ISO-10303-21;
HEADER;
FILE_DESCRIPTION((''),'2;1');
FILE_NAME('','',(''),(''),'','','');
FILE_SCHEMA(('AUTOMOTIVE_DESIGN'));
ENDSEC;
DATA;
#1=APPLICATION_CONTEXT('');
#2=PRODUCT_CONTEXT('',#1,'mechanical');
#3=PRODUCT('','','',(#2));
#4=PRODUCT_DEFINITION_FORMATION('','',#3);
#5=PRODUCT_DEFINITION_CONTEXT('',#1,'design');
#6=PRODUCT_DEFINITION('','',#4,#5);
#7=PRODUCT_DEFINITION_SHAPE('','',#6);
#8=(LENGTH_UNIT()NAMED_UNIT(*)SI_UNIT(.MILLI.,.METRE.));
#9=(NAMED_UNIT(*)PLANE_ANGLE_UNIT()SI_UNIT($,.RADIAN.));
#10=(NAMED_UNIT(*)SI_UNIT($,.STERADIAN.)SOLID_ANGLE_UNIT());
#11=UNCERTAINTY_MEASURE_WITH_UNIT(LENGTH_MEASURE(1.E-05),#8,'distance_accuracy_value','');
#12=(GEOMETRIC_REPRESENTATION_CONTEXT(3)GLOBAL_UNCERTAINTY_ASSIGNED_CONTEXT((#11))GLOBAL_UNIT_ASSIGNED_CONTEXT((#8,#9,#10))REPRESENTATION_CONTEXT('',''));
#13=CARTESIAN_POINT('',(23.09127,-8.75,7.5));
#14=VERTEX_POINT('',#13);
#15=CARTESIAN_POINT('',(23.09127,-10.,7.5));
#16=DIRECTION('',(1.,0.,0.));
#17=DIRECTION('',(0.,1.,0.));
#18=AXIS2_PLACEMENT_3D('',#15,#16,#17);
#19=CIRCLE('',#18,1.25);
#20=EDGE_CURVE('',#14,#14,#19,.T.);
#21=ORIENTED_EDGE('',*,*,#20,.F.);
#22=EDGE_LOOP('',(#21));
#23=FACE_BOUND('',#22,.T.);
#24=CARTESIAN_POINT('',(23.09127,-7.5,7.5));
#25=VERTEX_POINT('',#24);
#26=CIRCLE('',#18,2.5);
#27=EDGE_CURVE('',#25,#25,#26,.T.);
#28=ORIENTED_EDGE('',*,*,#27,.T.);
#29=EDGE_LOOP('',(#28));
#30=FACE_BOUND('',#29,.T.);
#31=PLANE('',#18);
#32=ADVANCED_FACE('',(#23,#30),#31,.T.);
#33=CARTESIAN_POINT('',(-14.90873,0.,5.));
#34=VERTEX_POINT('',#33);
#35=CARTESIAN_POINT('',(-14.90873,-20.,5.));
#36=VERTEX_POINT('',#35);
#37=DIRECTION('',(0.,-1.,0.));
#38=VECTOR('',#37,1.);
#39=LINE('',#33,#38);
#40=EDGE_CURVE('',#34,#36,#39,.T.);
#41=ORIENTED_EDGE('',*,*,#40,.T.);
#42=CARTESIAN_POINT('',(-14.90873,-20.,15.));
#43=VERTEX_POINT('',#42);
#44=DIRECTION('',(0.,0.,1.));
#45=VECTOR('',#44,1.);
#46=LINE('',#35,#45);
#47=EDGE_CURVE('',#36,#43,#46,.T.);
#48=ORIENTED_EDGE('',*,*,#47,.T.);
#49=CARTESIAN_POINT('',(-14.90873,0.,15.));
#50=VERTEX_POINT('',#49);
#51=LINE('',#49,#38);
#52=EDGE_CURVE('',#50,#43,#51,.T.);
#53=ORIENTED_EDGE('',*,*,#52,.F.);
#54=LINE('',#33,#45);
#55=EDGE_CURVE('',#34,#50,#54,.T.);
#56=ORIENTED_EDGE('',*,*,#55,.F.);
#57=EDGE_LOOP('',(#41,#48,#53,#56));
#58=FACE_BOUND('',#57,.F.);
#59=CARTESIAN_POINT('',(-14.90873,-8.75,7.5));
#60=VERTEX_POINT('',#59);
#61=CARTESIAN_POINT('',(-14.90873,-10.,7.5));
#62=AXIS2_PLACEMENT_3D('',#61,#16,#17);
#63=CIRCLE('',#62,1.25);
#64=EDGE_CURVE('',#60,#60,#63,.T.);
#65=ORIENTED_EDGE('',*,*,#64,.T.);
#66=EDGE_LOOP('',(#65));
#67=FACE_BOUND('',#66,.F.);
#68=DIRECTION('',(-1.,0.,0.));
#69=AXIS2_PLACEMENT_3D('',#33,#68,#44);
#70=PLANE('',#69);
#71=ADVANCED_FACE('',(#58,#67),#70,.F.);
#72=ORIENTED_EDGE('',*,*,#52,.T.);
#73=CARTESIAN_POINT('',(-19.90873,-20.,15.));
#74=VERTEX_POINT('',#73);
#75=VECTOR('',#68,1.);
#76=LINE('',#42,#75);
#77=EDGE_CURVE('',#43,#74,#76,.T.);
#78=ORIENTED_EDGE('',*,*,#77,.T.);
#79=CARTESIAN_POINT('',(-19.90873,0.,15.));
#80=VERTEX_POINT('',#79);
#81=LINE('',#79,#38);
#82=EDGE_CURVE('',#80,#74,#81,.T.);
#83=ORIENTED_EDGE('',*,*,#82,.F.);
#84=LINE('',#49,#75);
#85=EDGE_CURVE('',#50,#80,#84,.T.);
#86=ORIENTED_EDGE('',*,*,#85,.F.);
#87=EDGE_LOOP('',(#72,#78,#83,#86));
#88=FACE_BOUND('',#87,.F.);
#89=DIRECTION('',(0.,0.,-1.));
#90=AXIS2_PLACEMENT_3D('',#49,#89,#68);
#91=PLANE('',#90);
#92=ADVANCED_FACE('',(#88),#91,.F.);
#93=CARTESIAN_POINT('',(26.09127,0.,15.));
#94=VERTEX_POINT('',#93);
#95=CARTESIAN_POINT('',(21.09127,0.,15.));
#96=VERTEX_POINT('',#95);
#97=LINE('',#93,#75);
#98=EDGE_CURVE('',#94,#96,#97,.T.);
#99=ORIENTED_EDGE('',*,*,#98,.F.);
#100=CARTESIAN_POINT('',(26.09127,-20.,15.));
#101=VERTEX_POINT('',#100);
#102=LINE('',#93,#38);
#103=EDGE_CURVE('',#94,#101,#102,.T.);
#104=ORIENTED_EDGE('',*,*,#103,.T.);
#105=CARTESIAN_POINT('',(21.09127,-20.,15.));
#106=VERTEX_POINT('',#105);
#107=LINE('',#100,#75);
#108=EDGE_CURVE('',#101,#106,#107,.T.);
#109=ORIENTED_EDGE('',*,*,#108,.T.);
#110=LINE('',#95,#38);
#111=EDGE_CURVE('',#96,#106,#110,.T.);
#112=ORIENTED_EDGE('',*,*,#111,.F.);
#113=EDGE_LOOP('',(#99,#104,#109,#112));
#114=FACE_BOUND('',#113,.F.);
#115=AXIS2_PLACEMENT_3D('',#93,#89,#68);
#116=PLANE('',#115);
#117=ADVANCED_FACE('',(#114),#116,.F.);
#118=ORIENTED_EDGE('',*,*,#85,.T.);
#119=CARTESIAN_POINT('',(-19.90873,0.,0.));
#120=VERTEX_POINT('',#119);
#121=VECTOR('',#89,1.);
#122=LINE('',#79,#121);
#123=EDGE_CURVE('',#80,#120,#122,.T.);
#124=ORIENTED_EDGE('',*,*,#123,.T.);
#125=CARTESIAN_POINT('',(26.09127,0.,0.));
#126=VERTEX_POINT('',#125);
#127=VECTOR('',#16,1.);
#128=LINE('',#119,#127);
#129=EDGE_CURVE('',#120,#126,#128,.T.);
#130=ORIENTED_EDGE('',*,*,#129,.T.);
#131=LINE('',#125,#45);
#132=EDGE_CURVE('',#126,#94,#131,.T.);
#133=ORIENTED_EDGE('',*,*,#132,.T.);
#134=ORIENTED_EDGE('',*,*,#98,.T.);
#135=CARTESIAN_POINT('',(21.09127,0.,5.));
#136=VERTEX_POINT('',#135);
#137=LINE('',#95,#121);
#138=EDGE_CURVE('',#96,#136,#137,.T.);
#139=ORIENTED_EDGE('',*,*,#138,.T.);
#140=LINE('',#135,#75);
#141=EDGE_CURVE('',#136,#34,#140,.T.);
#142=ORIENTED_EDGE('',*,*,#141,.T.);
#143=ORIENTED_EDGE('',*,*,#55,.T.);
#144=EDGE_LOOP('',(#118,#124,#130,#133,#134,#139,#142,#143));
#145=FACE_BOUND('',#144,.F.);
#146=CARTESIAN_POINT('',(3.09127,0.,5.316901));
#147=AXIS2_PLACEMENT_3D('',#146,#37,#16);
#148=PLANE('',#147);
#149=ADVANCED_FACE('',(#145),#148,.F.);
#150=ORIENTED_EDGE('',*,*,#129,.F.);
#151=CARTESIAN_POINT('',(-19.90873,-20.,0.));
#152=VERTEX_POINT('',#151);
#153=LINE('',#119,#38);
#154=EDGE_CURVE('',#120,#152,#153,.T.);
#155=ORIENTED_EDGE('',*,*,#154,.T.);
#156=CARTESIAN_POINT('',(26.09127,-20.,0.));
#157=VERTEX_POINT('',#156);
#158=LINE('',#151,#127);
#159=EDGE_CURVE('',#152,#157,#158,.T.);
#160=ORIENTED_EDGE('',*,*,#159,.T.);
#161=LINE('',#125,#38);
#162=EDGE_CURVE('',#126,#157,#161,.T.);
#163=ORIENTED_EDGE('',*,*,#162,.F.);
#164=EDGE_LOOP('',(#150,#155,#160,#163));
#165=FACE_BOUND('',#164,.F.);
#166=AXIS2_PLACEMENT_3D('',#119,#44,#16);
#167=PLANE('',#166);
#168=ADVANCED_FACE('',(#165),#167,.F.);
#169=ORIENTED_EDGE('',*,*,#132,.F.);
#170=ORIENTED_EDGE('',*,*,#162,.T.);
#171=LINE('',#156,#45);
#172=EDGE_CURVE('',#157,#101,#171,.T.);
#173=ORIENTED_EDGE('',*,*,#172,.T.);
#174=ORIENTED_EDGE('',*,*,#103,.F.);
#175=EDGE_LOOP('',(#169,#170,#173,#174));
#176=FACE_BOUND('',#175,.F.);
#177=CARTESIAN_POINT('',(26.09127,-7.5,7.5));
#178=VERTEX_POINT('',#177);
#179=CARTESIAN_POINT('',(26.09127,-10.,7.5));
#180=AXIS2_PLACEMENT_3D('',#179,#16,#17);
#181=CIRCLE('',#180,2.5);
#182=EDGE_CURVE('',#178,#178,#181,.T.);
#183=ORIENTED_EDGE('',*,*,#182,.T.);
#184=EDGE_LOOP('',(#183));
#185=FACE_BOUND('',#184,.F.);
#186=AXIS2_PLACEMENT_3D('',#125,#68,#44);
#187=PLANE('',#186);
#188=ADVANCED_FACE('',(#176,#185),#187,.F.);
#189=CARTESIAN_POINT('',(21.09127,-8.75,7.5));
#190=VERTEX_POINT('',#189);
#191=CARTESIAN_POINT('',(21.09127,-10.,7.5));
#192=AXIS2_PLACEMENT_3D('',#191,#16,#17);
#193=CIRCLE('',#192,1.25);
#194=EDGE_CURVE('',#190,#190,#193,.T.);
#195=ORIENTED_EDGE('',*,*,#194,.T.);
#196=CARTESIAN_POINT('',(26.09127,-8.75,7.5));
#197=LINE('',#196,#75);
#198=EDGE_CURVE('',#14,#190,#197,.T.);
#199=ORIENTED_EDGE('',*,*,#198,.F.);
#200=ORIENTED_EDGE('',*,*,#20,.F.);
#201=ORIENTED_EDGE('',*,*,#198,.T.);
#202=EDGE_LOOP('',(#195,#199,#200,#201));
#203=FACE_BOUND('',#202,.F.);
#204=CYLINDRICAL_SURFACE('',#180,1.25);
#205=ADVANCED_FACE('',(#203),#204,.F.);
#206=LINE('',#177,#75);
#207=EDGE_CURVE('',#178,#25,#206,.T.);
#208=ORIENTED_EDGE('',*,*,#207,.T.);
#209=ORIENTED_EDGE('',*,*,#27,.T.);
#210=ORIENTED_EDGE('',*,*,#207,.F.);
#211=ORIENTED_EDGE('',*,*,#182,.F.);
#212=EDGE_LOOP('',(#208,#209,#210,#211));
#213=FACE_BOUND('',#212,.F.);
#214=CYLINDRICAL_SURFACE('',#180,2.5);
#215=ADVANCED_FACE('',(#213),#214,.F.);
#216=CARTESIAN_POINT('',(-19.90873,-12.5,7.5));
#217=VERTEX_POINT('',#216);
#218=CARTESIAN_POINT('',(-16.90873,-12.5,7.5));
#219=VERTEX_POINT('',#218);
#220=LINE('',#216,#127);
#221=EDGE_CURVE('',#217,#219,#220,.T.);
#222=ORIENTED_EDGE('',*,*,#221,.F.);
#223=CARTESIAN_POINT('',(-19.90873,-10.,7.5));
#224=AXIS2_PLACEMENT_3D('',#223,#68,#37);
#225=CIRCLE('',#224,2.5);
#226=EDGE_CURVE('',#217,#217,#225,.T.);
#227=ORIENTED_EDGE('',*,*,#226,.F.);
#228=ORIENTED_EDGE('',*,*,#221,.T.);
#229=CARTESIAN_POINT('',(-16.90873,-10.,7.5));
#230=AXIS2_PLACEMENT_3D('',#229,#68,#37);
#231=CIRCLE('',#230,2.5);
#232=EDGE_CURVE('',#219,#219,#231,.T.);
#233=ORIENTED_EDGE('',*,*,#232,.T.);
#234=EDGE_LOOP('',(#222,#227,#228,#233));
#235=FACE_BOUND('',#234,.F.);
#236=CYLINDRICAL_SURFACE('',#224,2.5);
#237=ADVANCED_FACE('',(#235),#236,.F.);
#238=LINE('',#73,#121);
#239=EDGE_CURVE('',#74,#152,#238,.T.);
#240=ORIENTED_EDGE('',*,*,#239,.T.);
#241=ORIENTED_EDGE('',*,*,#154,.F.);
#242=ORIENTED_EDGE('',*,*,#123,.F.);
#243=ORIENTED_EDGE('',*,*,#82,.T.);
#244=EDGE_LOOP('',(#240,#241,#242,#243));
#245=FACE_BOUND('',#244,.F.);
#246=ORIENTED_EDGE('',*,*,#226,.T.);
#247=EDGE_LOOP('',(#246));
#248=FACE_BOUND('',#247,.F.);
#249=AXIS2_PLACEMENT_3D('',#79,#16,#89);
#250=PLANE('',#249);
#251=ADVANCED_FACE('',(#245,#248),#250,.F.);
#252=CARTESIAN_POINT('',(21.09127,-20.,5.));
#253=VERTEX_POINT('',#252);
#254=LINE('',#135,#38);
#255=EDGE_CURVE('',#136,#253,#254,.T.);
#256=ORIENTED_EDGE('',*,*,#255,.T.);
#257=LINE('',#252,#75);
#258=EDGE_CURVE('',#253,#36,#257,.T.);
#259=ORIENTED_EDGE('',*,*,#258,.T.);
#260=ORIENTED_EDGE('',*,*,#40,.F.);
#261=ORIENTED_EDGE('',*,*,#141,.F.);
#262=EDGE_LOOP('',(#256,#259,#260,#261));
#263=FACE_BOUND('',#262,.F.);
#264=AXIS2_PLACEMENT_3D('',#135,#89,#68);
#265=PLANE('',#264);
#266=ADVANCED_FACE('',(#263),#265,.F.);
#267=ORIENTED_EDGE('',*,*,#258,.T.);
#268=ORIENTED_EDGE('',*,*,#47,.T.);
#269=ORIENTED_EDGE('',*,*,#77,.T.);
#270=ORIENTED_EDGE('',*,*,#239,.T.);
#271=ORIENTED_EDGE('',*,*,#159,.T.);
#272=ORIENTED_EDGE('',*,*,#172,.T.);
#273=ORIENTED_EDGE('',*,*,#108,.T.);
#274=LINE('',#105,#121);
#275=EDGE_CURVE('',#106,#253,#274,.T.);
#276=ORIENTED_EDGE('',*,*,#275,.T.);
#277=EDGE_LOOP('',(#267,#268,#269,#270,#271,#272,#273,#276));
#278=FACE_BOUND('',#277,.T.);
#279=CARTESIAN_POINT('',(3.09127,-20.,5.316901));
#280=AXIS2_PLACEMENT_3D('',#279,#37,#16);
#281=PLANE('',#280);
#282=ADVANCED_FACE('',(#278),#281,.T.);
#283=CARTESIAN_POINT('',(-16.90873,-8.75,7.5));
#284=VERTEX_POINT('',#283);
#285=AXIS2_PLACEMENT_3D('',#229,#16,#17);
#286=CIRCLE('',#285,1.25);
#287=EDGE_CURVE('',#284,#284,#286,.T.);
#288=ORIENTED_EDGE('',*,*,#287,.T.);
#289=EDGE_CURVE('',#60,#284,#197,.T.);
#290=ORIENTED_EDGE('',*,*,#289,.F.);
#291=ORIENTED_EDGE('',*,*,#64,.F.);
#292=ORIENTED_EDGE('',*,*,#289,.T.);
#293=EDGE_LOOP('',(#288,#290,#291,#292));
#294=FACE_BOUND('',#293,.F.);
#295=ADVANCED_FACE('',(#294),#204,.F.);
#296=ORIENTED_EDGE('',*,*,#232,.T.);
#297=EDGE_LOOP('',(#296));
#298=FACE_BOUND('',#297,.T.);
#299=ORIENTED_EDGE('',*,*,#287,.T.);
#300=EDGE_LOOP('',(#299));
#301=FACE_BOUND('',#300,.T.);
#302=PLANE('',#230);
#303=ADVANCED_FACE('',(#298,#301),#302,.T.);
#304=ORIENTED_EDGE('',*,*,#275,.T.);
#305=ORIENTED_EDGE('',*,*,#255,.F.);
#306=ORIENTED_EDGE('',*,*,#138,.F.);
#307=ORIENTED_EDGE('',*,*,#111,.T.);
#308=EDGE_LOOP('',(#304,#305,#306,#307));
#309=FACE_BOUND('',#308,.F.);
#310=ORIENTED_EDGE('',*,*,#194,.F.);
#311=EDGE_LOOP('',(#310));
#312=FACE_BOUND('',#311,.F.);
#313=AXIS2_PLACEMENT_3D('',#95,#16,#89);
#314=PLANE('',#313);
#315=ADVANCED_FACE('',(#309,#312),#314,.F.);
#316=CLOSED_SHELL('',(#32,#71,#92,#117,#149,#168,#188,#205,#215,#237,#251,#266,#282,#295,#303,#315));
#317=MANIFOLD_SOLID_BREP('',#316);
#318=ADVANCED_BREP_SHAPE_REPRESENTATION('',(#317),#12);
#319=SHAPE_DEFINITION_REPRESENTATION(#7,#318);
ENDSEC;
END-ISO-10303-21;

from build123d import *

# Parameters (mm, degrees)
PAD_DEPTH       = 20
SKETCH001_R     = 1.25
POCKET_DEPTH    = 46.001
SKETCH002_R     = 2.5
POCKET001_DEPTH = 3
SKETCH003_R     = 2.5
POCKET002_DEPTH = 3


with BuildPart() as part:
    # Sketch (on XZ_Plane of Origin) → Pad (new body)
    with BuildSketch(Plane.XZ):
        Polygon((-19.90873, 15), (-19.90873, 0), (26.09127, 0), (26.09127, 15), (21.09127, 15), (21.09127, 5), (-14.90873, 5), (-14.90873, 15), align=None)
    extrude(amount=PAD_DEPTH)

    # Sketch001 (on Face3 of Pad) → Pocket (cut, through all)
    with BuildSketch(Plane.YZ.offset(26.09127)):
        with Locations((-10, 7.5)):
            Circle(SKETCH001_R)
    extrude(amount=-POCKET_DEPTH, mode=Mode.SUBTRACT)

    # Sketch002 (on Face1 of Pocket) → Pocket001 (cut)
    with BuildSketch(Plane(origin=(-19.90873, 0, 0), x_dir=(0, -1, 0), z_dir=(-1, 0, 0))):
        with Locations((10, 7.5)):
            Circle(SKETCH002_R)
    extrude(amount=-POCKET001_DEPTH, mode=Mode.SUBTRACT)

    # Sketch003 (on Face8 of Pocket001) → Pocket002 (cut)
    with BuildSketch(Plane.YZ.offset(26.09127)):
        with Locations((-10, 7.5)):
            Circle(SKETCH003_R)
    extrude(amount=-POCKET002_DEPTH, mode=Mode.SUBTRACT)


solid = part.part
